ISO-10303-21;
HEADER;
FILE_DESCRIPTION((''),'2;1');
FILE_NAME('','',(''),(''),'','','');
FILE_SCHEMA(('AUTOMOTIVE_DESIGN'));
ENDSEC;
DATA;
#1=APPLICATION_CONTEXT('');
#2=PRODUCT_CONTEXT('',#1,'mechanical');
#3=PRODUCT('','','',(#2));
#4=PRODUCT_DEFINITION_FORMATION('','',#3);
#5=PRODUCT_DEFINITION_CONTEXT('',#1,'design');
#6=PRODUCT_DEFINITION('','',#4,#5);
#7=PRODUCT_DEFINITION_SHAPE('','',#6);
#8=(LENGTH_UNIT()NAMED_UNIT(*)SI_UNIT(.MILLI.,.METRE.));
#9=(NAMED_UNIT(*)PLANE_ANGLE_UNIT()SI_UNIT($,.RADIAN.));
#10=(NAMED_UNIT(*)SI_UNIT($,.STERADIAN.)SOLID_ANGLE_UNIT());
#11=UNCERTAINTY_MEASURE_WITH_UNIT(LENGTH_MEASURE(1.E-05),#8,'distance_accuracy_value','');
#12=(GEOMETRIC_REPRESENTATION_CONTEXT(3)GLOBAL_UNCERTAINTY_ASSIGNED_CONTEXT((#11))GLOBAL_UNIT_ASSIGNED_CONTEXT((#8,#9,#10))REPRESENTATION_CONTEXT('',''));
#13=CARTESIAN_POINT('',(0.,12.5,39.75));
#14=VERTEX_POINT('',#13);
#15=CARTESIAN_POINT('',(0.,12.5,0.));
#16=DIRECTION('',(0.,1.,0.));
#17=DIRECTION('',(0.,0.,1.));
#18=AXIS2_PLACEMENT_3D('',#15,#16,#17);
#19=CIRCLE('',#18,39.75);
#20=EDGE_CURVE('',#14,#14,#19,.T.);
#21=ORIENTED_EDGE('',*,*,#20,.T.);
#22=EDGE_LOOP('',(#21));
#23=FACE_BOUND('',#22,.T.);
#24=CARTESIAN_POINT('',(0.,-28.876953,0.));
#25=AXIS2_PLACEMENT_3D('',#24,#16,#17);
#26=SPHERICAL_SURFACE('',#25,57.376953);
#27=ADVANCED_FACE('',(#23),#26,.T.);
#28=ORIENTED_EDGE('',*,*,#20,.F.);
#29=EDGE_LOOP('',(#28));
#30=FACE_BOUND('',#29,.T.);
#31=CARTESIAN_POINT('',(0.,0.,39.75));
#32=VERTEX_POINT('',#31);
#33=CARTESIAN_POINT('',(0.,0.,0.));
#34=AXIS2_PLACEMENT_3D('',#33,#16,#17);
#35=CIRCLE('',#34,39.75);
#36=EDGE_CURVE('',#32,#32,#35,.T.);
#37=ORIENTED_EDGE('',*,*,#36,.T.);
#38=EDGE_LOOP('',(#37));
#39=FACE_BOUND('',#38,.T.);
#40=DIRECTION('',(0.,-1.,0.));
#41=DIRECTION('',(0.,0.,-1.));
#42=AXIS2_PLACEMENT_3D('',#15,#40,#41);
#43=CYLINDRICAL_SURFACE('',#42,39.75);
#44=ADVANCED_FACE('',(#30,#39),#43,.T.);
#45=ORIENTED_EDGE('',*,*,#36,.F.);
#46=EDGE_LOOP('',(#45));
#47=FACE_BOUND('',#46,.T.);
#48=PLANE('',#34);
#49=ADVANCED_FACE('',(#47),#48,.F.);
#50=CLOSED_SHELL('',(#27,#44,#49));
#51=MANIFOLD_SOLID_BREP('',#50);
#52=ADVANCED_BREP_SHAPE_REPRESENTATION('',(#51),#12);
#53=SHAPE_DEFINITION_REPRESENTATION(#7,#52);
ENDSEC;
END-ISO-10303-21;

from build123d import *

# Parameters (mm, degrees)
SKETCH3_R           = 39.75
BOSS_EXTRUDE2_DEPTH = 12.5
DOME1_FACE_RADIUS   = 39.75
DOME1_HEIGHT        = 16


with BuildPart() as part:
    # Sketch3 → Boss-Extrude2 (new body)
    with BuildSketch(Plane(origin=(0, 0, 0), x_dir=(-1, 0, 0), z_dir=(0, 1, 0))):
        Circle(SKETCH3_R)
    extrude(amount=BOSS_EXTRUDE2_DEPTH)

    # Dome1: a dome of height H over a round flat face of radius A is a cap of a sphere of radius (A * A + H * H) / (2 * H)
    dome1_r = (DOME1_FACE_RADIUS * DOME1_FACE_RADIUS + DOME1_HEIGHT * DOME1_HEIGHT) / (2 * DOME1_HEIGHT)
    dome1_base = Plane((0, 12.5, 0), z_dir=(0, 1, 0))
    with Locations(dome1_base.offset(DOME1_HEIGHT - dome1_r)):
        dome1_ball = Sphere(dome1_r, mode=Mode.PRIVATE)
    add(split(dome1_ball, bisect_by=dome1_base, keep=Keep.TOP, mode=Mode.PRIVATE))


solid = part.part
